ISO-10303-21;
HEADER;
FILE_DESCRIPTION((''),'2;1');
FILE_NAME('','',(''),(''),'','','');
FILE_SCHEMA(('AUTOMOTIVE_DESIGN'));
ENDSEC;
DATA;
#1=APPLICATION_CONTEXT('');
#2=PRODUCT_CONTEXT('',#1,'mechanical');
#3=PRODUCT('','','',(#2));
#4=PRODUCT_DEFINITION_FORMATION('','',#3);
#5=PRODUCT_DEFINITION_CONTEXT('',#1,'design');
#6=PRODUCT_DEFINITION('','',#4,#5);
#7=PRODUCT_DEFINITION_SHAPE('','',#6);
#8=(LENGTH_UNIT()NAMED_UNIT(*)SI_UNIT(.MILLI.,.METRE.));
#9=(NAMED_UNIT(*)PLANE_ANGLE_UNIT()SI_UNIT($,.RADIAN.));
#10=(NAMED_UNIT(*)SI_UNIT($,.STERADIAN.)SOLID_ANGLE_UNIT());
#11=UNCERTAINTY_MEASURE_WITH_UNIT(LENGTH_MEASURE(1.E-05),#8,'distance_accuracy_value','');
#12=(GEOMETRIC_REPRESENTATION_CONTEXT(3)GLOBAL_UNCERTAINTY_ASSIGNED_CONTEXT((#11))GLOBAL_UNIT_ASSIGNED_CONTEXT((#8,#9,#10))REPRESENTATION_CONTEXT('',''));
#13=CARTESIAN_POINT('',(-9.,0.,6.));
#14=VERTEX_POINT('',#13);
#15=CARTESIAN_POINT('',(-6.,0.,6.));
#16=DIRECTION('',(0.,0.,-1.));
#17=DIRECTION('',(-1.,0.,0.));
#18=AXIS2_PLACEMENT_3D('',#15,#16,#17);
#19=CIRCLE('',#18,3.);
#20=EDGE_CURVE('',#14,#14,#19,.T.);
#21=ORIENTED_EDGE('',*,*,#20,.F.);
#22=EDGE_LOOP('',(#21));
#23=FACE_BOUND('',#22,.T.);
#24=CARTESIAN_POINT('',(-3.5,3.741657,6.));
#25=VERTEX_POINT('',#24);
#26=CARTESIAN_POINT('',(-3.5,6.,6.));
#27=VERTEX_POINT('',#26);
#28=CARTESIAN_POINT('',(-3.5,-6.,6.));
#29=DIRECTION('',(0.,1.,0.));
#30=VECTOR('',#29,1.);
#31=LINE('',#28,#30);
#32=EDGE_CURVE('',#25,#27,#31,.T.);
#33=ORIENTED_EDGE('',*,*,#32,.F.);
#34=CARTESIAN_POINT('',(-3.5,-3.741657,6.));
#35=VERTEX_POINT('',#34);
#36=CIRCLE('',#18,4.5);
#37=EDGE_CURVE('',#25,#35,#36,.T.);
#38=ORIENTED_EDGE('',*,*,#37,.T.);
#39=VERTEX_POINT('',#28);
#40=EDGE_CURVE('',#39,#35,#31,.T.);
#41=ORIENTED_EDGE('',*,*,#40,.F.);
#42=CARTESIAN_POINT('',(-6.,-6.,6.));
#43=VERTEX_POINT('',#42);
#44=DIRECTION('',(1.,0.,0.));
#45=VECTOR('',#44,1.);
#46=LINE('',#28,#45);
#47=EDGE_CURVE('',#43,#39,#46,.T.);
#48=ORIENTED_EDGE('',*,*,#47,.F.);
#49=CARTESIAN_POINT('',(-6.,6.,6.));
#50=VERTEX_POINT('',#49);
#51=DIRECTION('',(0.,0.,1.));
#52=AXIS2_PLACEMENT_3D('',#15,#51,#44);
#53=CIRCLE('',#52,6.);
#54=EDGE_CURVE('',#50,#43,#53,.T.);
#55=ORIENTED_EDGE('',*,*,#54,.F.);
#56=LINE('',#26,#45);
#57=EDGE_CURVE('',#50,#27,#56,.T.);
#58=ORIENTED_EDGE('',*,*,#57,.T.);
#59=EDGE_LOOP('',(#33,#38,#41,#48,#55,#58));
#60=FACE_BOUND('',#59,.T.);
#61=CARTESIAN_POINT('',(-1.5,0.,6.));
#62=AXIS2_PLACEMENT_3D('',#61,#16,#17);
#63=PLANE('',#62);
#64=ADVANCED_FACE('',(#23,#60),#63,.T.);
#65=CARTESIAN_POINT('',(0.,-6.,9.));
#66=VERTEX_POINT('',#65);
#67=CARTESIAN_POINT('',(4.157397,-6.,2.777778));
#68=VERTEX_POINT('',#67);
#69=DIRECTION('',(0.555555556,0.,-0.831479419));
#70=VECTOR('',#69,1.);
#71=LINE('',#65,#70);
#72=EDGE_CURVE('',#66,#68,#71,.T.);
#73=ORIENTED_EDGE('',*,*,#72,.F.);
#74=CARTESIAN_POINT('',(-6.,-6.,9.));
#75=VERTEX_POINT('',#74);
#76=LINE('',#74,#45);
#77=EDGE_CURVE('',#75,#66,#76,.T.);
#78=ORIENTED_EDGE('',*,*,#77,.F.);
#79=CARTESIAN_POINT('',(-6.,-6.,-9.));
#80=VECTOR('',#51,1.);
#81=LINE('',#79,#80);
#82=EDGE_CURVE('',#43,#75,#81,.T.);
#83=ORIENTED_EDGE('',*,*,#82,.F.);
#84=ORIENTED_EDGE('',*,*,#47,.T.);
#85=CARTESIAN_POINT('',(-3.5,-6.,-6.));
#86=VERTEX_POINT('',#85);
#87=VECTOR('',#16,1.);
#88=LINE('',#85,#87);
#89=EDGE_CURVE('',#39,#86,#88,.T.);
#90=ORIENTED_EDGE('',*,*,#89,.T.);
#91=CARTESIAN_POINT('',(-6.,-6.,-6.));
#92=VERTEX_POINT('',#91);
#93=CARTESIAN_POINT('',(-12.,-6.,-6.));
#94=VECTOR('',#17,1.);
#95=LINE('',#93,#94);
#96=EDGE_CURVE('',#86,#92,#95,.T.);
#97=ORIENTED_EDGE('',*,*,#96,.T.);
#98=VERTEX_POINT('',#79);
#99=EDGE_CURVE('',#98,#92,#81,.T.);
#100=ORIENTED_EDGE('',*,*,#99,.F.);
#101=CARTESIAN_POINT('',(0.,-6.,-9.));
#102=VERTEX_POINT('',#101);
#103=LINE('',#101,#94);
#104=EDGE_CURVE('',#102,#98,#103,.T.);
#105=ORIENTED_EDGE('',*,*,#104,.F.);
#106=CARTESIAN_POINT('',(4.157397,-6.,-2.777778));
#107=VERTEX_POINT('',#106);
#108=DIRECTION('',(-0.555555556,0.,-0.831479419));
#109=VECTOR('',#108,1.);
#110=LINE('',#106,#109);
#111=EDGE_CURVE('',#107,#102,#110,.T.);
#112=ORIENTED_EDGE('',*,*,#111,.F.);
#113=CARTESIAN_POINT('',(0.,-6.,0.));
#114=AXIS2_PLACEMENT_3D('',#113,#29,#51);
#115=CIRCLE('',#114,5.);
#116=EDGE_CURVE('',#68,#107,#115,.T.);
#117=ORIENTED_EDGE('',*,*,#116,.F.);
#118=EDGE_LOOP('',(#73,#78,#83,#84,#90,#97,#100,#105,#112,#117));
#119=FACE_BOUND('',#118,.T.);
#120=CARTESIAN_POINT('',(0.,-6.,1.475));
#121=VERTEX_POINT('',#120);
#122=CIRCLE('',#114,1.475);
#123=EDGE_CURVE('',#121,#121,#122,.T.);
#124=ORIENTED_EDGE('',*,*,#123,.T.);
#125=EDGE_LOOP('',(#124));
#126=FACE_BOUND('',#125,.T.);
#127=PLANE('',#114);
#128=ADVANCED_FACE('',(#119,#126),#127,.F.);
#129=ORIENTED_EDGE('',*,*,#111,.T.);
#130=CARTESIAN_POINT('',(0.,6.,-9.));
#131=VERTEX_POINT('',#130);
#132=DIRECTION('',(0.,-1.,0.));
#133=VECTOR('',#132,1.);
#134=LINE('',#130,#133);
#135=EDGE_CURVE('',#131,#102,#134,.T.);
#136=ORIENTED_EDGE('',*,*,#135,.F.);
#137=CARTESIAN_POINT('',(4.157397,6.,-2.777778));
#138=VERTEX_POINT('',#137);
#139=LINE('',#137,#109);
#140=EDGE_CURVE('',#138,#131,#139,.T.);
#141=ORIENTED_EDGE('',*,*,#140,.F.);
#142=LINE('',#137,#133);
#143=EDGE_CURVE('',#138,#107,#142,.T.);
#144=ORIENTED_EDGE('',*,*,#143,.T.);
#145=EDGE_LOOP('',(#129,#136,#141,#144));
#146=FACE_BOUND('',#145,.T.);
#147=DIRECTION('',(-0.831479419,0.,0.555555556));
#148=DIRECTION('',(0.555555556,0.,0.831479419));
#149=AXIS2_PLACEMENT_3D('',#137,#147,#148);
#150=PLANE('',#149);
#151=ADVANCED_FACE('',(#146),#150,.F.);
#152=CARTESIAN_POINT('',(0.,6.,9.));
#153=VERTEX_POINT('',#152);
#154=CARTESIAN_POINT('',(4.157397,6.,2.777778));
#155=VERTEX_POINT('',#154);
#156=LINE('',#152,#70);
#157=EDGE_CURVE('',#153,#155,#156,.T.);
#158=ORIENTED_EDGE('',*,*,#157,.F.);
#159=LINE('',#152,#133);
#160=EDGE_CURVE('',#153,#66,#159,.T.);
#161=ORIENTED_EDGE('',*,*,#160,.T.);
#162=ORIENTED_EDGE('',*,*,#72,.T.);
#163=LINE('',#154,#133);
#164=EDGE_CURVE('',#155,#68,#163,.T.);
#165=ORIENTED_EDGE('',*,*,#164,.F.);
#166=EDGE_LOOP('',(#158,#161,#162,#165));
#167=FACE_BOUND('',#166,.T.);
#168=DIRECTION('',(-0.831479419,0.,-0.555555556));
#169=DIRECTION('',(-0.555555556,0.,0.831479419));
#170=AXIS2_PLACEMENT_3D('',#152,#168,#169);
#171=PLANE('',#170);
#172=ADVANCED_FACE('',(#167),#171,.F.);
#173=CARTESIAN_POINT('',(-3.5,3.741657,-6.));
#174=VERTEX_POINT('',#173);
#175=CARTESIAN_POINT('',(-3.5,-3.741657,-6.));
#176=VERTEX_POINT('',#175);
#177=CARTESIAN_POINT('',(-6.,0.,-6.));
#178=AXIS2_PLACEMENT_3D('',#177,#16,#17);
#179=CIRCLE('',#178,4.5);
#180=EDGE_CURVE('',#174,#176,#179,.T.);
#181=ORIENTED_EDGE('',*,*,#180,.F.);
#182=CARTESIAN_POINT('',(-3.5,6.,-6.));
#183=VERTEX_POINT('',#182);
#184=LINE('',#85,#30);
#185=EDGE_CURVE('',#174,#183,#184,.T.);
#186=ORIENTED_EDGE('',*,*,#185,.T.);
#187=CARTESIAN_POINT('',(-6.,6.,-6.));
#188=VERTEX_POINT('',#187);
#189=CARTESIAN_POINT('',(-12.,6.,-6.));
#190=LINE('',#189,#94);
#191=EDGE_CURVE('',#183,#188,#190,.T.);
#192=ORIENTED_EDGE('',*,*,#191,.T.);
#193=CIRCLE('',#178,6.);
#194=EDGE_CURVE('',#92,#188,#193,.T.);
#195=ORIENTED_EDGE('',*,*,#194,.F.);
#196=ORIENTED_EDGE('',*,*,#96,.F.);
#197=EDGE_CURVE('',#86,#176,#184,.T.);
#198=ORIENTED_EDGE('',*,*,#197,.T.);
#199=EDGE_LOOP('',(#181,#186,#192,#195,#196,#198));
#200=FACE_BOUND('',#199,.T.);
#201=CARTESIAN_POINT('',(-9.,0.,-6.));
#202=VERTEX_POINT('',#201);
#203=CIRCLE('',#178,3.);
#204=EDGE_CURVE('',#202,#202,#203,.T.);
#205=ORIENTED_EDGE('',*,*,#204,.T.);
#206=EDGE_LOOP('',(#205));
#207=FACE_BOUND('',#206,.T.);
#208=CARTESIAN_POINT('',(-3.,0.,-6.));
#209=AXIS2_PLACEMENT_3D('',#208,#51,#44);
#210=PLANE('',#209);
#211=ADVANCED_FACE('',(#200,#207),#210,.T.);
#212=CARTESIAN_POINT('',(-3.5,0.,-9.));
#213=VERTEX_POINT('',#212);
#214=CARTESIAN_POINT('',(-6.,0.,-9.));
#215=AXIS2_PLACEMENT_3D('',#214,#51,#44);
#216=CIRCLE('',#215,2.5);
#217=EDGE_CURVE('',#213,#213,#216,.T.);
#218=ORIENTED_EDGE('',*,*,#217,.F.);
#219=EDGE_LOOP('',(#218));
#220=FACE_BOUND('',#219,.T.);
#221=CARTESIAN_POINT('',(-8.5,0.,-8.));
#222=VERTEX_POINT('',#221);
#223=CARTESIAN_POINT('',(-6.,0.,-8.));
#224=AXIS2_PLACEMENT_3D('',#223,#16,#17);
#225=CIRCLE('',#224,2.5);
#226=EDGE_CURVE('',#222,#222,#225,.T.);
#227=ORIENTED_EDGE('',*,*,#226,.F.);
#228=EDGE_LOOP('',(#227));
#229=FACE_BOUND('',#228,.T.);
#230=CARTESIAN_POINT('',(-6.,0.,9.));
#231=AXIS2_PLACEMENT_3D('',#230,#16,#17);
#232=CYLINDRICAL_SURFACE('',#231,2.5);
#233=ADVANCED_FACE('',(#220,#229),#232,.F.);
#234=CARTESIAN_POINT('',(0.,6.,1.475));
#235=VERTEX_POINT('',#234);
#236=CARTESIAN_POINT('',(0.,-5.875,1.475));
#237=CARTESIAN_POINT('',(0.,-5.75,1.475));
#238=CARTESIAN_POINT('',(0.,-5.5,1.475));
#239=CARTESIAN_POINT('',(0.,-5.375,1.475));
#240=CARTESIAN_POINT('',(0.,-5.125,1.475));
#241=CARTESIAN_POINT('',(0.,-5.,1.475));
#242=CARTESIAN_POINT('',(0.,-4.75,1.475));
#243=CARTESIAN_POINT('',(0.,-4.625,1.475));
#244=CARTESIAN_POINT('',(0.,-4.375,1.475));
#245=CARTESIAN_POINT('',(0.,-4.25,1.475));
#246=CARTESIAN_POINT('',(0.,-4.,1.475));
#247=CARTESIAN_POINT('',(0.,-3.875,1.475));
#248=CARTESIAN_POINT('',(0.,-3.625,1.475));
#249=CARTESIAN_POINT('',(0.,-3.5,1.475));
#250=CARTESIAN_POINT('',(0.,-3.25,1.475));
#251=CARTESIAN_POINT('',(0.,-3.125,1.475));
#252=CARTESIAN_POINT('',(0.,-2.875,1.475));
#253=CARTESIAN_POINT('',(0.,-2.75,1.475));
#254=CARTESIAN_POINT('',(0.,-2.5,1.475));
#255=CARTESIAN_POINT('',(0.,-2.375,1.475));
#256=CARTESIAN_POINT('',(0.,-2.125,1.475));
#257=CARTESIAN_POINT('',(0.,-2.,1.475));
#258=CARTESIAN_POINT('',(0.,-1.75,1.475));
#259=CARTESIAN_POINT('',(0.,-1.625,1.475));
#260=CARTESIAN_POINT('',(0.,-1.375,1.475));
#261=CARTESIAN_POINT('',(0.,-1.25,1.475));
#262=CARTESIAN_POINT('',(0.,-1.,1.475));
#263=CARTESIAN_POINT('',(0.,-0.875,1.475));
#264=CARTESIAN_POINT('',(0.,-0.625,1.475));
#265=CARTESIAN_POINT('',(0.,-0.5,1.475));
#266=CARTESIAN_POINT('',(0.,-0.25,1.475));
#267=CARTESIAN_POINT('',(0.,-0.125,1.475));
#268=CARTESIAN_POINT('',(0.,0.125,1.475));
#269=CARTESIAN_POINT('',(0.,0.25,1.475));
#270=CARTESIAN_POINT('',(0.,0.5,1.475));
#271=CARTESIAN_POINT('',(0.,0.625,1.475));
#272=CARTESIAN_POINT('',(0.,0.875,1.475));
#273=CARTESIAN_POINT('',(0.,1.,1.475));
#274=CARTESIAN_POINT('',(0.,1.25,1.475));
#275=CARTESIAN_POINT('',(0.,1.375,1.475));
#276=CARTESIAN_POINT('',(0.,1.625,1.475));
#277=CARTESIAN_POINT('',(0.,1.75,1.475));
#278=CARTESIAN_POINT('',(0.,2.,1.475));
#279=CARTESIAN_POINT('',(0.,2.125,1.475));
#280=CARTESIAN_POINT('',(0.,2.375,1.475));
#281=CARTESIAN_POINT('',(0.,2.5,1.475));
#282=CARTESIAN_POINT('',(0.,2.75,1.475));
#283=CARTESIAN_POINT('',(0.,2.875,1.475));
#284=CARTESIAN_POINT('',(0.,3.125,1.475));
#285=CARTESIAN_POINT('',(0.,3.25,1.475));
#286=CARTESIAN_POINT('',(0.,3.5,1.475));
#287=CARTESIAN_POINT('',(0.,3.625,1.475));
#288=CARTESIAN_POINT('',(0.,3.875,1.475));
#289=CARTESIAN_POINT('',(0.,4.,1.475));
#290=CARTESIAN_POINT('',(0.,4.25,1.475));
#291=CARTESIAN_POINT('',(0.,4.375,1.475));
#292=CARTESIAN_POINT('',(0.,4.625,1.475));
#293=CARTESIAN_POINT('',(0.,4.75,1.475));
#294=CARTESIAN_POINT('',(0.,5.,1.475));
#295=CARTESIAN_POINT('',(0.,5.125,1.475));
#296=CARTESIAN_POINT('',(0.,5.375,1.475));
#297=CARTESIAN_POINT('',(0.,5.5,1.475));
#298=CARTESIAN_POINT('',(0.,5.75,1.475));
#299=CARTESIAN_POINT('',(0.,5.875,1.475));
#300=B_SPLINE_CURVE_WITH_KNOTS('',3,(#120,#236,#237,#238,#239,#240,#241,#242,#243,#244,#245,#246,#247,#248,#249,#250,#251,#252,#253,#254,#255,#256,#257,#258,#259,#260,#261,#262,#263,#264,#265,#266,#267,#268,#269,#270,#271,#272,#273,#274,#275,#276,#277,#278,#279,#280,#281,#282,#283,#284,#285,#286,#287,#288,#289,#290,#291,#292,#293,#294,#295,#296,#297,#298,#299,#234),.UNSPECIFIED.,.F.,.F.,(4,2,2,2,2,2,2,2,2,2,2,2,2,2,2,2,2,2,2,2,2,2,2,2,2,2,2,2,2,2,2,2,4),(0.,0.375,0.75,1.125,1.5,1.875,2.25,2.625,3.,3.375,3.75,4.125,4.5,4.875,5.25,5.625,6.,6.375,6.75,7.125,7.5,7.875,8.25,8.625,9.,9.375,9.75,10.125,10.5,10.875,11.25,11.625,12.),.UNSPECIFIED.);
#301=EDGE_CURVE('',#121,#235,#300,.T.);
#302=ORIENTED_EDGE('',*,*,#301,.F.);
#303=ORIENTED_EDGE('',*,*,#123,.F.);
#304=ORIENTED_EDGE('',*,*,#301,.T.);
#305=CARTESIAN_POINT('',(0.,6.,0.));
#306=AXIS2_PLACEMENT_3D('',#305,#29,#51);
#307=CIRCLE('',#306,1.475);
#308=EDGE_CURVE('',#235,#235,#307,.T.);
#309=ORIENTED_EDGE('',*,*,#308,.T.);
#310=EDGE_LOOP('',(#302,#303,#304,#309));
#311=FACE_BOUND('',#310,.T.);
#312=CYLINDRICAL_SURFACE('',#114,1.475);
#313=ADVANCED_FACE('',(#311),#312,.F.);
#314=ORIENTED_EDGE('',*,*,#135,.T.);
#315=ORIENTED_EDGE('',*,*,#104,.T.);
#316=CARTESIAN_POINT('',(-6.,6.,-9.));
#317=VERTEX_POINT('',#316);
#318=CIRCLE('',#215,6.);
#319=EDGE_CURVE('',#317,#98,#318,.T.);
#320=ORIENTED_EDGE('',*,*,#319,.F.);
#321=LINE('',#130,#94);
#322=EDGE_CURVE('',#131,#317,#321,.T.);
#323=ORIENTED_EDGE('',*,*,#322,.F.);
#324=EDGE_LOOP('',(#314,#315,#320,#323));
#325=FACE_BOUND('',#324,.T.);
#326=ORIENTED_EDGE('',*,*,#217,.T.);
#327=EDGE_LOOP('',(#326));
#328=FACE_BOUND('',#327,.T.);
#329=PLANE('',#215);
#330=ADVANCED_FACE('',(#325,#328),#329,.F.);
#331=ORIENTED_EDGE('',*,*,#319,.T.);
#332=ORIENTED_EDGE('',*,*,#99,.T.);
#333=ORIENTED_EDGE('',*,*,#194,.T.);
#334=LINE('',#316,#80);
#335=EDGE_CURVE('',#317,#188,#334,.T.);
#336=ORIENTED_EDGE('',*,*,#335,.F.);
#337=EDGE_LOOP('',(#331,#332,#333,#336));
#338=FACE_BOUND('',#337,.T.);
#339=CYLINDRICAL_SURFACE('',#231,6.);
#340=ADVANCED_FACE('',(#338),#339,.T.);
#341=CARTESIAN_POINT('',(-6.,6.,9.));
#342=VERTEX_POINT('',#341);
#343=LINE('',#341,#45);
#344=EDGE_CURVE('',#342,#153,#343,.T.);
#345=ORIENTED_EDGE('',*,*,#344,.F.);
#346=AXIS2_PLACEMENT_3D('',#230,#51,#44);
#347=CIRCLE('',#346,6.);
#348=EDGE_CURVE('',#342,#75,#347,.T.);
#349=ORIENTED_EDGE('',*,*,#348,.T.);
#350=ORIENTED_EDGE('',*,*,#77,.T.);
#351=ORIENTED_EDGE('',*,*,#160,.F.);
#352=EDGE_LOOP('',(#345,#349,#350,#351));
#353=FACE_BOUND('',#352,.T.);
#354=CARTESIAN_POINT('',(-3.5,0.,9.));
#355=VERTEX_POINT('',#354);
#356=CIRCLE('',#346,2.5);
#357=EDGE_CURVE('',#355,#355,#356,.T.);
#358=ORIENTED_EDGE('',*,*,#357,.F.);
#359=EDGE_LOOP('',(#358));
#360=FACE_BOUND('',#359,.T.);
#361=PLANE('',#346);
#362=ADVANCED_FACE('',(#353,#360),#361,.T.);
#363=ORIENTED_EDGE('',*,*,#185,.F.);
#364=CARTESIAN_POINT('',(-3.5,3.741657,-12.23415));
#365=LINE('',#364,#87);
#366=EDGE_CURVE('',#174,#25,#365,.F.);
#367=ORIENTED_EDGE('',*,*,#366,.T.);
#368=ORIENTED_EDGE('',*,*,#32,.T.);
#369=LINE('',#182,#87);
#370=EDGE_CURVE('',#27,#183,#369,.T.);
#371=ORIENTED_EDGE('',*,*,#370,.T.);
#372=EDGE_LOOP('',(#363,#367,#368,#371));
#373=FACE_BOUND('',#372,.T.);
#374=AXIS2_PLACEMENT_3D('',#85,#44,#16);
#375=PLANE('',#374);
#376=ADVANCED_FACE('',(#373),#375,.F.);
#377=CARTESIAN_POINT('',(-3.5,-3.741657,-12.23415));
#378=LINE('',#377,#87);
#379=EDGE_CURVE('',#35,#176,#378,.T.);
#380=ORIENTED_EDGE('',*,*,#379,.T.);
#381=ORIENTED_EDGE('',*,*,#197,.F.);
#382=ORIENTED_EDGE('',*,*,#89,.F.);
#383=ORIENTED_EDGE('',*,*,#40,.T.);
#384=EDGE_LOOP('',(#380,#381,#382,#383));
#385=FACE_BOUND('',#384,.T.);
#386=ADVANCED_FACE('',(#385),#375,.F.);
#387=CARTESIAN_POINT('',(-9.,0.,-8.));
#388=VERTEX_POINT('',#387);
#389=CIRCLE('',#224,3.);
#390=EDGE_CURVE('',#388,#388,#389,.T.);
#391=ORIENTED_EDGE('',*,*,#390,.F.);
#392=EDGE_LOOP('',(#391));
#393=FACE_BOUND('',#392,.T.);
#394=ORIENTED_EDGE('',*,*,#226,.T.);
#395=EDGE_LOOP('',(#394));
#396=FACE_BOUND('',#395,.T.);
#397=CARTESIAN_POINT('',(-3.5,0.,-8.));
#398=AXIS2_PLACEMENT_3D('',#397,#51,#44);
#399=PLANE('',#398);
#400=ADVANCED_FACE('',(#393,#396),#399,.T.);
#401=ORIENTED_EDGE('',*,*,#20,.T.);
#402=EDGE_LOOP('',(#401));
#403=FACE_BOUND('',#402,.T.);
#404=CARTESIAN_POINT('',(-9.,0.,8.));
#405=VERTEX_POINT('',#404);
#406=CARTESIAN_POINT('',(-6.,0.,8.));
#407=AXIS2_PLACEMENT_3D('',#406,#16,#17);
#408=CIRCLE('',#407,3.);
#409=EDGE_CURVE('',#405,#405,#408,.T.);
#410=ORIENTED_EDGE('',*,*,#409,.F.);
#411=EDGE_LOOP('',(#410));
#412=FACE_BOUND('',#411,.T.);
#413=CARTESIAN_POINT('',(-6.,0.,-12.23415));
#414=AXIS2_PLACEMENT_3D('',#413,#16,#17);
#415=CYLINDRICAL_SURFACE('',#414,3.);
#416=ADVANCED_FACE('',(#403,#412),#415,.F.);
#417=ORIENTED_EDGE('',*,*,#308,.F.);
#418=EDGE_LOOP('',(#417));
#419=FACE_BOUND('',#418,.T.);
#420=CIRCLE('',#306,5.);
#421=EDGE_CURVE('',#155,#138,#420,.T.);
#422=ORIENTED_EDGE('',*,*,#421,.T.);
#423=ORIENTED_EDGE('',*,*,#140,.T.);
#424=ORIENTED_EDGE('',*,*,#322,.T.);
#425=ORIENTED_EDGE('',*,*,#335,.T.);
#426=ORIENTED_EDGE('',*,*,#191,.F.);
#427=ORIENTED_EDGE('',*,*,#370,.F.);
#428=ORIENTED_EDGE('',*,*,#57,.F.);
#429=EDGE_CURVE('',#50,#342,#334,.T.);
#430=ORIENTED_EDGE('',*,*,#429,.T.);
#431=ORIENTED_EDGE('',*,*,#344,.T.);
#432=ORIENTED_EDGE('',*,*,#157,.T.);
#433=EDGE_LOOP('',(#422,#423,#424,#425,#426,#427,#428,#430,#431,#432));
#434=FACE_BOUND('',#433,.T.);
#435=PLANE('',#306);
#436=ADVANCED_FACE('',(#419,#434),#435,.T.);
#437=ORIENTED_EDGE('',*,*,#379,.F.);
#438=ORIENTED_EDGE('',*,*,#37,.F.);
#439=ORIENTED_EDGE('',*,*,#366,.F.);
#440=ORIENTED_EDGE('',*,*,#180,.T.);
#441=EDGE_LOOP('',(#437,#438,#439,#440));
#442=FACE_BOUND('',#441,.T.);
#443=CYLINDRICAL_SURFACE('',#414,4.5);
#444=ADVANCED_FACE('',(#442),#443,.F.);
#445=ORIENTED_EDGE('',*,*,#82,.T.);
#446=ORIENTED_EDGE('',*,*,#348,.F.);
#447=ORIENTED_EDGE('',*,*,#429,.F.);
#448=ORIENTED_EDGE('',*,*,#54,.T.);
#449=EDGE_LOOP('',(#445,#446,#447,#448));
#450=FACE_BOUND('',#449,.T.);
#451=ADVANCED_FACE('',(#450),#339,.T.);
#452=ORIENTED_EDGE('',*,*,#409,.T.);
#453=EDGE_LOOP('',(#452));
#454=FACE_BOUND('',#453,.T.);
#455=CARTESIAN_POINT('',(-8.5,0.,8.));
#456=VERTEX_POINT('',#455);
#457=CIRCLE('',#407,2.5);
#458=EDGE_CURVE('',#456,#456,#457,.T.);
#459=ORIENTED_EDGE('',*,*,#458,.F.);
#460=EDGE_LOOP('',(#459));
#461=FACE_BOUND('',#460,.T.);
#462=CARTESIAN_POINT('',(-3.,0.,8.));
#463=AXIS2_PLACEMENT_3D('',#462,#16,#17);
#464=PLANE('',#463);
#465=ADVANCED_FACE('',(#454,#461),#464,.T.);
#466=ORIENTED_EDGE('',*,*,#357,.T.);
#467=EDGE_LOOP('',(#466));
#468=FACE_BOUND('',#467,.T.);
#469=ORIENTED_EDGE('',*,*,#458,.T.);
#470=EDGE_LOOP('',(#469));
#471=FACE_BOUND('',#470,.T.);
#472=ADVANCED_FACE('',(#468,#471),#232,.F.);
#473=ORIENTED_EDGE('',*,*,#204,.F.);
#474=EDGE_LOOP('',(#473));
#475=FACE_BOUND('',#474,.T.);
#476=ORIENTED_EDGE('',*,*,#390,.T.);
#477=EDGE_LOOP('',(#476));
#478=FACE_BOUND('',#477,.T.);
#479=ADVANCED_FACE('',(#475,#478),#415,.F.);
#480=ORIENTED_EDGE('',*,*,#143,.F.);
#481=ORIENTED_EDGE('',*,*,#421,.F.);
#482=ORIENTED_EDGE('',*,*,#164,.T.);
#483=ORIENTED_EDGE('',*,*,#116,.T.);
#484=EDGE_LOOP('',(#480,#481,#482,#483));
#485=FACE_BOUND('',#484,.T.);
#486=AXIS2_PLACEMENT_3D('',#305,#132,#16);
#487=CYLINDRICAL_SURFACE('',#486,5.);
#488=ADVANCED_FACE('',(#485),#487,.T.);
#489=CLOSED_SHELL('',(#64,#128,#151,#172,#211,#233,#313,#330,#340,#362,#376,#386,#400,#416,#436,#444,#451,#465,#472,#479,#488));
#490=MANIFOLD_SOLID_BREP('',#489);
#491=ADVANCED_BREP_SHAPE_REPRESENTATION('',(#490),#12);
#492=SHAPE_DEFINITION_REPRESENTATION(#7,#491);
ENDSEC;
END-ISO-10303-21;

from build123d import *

# Parameters (mm, degrees)
SKETCH1_R               = 6
SKETCH1_R_2             = 2.5
BOSS_EXTRUDE1_DEPTH     = 9
SKETCH2_R               = 5
SKETCH2_R_2             = 1.475
BOSS_EXTRUDE2_DEPTH     = 6
BOSS_EXTRUDE3_DEPTH     = 6
CUT_EXTRUDE2_DEPTH      = 17.155494421
CUT_EXTRUDE2_DEPTH_BACK = 17.155494421
SKETCH5_R               = 1.475
SKETCH5_W               = 8.5
SKETCH5_H               = 12


with BuildPart() as part:
    # Sketch1 → Boss-Extrude1 (new, symmetric)
    with BuildSketch(Plane.XY):
        with Locations((-6, 0)):
            Circle(SKETCH1_R)
        with Locations((-6, 0)):
            Circle(SKETCH1_R_2, mode=Mode.SUBTRACT)
    extrude(amount=BOSS_EXTRUDE1_DEPTH, both=True)

    # Sketch2 → Boss-Extrude2 (add, symmetric)
    with BuildSketch(Plane(origin=(0, 0, 0), x_dir=(1, 0, 0), z_dir=(0, 1, 0))):
        Circle(SKETCH2_R)
        Circle(SKETCH2_R_2, mode=Mode.SUBTRACT)
    extrude(amount=BOSS_EXTRUDE2_DEPTH, both=True)

    # Sketch4 → Boss-Extrude3 (add, symmetric)
    with BuildSketch(Plane(origin=(0, 0, 0), x_dir=(1, 0, 0), z_dir=(0, 1, 0))):
        with BuildLine():
            Line((-6, 9), (-6, -9))
            Line((-6, -9), (0, -9))
            Line((0, -9), (4.157397096, -2.777777778))
            ThreePointArc((4.157397096, -2.777777778), (5, 0), (4.157397096, 2.777777778))
            Line((4.157397096, 2.777777778), (0, 9))
            Line((0, 9), (-6, 9))
        make_face()
    extrude(amount=BOSS_EXTRUDE3_DEPTH, both=True)

    # Sketch3 → Cut-Revolve1 (revolve, cut)
    with BuildSketch(Plane(origin=(0, 0, 0), x_dir=(1, 0, 0), z_dir=(0, 1, 0))):
        Polygon((-3.5, 8), (-3.5, 9), (-6, 9), (-6, -9), (-3.5, -9), (-3.5, -8), (-3, -8), (-3, -6), (-1.5, -6), (-1.5, 6), (-3, 6), (-3, 8), align=None)
    revolve(axis=Axis((-6, 0, -12.234149704), (0, 0, 1)), mode=Mode.SUBTRACT)

    # Sketch5 → Cut-Extrude2 (cut, two sides: drawn at the far end of the back side and taken through both)
    with BuildSketch(Plane(origin=(0, 0, 0), x_dir=(1, 0, 0), z_dir=(0, 1, 0)).offset(-CUT_EXTRUDE2_DEPTH_BACK)):
        Circle(SKETCH5_R)
        with Locations((-7.75, 0)):
            Rectangle(SKETCH5_W, SKETCH5_H)
    extrude(amount=CUT_EXTRUDE2_DEPTH + CUT_EXTRUDE2_DEPTH_BACK, mode=Mode.SUBTRACT)


solid = part.part
